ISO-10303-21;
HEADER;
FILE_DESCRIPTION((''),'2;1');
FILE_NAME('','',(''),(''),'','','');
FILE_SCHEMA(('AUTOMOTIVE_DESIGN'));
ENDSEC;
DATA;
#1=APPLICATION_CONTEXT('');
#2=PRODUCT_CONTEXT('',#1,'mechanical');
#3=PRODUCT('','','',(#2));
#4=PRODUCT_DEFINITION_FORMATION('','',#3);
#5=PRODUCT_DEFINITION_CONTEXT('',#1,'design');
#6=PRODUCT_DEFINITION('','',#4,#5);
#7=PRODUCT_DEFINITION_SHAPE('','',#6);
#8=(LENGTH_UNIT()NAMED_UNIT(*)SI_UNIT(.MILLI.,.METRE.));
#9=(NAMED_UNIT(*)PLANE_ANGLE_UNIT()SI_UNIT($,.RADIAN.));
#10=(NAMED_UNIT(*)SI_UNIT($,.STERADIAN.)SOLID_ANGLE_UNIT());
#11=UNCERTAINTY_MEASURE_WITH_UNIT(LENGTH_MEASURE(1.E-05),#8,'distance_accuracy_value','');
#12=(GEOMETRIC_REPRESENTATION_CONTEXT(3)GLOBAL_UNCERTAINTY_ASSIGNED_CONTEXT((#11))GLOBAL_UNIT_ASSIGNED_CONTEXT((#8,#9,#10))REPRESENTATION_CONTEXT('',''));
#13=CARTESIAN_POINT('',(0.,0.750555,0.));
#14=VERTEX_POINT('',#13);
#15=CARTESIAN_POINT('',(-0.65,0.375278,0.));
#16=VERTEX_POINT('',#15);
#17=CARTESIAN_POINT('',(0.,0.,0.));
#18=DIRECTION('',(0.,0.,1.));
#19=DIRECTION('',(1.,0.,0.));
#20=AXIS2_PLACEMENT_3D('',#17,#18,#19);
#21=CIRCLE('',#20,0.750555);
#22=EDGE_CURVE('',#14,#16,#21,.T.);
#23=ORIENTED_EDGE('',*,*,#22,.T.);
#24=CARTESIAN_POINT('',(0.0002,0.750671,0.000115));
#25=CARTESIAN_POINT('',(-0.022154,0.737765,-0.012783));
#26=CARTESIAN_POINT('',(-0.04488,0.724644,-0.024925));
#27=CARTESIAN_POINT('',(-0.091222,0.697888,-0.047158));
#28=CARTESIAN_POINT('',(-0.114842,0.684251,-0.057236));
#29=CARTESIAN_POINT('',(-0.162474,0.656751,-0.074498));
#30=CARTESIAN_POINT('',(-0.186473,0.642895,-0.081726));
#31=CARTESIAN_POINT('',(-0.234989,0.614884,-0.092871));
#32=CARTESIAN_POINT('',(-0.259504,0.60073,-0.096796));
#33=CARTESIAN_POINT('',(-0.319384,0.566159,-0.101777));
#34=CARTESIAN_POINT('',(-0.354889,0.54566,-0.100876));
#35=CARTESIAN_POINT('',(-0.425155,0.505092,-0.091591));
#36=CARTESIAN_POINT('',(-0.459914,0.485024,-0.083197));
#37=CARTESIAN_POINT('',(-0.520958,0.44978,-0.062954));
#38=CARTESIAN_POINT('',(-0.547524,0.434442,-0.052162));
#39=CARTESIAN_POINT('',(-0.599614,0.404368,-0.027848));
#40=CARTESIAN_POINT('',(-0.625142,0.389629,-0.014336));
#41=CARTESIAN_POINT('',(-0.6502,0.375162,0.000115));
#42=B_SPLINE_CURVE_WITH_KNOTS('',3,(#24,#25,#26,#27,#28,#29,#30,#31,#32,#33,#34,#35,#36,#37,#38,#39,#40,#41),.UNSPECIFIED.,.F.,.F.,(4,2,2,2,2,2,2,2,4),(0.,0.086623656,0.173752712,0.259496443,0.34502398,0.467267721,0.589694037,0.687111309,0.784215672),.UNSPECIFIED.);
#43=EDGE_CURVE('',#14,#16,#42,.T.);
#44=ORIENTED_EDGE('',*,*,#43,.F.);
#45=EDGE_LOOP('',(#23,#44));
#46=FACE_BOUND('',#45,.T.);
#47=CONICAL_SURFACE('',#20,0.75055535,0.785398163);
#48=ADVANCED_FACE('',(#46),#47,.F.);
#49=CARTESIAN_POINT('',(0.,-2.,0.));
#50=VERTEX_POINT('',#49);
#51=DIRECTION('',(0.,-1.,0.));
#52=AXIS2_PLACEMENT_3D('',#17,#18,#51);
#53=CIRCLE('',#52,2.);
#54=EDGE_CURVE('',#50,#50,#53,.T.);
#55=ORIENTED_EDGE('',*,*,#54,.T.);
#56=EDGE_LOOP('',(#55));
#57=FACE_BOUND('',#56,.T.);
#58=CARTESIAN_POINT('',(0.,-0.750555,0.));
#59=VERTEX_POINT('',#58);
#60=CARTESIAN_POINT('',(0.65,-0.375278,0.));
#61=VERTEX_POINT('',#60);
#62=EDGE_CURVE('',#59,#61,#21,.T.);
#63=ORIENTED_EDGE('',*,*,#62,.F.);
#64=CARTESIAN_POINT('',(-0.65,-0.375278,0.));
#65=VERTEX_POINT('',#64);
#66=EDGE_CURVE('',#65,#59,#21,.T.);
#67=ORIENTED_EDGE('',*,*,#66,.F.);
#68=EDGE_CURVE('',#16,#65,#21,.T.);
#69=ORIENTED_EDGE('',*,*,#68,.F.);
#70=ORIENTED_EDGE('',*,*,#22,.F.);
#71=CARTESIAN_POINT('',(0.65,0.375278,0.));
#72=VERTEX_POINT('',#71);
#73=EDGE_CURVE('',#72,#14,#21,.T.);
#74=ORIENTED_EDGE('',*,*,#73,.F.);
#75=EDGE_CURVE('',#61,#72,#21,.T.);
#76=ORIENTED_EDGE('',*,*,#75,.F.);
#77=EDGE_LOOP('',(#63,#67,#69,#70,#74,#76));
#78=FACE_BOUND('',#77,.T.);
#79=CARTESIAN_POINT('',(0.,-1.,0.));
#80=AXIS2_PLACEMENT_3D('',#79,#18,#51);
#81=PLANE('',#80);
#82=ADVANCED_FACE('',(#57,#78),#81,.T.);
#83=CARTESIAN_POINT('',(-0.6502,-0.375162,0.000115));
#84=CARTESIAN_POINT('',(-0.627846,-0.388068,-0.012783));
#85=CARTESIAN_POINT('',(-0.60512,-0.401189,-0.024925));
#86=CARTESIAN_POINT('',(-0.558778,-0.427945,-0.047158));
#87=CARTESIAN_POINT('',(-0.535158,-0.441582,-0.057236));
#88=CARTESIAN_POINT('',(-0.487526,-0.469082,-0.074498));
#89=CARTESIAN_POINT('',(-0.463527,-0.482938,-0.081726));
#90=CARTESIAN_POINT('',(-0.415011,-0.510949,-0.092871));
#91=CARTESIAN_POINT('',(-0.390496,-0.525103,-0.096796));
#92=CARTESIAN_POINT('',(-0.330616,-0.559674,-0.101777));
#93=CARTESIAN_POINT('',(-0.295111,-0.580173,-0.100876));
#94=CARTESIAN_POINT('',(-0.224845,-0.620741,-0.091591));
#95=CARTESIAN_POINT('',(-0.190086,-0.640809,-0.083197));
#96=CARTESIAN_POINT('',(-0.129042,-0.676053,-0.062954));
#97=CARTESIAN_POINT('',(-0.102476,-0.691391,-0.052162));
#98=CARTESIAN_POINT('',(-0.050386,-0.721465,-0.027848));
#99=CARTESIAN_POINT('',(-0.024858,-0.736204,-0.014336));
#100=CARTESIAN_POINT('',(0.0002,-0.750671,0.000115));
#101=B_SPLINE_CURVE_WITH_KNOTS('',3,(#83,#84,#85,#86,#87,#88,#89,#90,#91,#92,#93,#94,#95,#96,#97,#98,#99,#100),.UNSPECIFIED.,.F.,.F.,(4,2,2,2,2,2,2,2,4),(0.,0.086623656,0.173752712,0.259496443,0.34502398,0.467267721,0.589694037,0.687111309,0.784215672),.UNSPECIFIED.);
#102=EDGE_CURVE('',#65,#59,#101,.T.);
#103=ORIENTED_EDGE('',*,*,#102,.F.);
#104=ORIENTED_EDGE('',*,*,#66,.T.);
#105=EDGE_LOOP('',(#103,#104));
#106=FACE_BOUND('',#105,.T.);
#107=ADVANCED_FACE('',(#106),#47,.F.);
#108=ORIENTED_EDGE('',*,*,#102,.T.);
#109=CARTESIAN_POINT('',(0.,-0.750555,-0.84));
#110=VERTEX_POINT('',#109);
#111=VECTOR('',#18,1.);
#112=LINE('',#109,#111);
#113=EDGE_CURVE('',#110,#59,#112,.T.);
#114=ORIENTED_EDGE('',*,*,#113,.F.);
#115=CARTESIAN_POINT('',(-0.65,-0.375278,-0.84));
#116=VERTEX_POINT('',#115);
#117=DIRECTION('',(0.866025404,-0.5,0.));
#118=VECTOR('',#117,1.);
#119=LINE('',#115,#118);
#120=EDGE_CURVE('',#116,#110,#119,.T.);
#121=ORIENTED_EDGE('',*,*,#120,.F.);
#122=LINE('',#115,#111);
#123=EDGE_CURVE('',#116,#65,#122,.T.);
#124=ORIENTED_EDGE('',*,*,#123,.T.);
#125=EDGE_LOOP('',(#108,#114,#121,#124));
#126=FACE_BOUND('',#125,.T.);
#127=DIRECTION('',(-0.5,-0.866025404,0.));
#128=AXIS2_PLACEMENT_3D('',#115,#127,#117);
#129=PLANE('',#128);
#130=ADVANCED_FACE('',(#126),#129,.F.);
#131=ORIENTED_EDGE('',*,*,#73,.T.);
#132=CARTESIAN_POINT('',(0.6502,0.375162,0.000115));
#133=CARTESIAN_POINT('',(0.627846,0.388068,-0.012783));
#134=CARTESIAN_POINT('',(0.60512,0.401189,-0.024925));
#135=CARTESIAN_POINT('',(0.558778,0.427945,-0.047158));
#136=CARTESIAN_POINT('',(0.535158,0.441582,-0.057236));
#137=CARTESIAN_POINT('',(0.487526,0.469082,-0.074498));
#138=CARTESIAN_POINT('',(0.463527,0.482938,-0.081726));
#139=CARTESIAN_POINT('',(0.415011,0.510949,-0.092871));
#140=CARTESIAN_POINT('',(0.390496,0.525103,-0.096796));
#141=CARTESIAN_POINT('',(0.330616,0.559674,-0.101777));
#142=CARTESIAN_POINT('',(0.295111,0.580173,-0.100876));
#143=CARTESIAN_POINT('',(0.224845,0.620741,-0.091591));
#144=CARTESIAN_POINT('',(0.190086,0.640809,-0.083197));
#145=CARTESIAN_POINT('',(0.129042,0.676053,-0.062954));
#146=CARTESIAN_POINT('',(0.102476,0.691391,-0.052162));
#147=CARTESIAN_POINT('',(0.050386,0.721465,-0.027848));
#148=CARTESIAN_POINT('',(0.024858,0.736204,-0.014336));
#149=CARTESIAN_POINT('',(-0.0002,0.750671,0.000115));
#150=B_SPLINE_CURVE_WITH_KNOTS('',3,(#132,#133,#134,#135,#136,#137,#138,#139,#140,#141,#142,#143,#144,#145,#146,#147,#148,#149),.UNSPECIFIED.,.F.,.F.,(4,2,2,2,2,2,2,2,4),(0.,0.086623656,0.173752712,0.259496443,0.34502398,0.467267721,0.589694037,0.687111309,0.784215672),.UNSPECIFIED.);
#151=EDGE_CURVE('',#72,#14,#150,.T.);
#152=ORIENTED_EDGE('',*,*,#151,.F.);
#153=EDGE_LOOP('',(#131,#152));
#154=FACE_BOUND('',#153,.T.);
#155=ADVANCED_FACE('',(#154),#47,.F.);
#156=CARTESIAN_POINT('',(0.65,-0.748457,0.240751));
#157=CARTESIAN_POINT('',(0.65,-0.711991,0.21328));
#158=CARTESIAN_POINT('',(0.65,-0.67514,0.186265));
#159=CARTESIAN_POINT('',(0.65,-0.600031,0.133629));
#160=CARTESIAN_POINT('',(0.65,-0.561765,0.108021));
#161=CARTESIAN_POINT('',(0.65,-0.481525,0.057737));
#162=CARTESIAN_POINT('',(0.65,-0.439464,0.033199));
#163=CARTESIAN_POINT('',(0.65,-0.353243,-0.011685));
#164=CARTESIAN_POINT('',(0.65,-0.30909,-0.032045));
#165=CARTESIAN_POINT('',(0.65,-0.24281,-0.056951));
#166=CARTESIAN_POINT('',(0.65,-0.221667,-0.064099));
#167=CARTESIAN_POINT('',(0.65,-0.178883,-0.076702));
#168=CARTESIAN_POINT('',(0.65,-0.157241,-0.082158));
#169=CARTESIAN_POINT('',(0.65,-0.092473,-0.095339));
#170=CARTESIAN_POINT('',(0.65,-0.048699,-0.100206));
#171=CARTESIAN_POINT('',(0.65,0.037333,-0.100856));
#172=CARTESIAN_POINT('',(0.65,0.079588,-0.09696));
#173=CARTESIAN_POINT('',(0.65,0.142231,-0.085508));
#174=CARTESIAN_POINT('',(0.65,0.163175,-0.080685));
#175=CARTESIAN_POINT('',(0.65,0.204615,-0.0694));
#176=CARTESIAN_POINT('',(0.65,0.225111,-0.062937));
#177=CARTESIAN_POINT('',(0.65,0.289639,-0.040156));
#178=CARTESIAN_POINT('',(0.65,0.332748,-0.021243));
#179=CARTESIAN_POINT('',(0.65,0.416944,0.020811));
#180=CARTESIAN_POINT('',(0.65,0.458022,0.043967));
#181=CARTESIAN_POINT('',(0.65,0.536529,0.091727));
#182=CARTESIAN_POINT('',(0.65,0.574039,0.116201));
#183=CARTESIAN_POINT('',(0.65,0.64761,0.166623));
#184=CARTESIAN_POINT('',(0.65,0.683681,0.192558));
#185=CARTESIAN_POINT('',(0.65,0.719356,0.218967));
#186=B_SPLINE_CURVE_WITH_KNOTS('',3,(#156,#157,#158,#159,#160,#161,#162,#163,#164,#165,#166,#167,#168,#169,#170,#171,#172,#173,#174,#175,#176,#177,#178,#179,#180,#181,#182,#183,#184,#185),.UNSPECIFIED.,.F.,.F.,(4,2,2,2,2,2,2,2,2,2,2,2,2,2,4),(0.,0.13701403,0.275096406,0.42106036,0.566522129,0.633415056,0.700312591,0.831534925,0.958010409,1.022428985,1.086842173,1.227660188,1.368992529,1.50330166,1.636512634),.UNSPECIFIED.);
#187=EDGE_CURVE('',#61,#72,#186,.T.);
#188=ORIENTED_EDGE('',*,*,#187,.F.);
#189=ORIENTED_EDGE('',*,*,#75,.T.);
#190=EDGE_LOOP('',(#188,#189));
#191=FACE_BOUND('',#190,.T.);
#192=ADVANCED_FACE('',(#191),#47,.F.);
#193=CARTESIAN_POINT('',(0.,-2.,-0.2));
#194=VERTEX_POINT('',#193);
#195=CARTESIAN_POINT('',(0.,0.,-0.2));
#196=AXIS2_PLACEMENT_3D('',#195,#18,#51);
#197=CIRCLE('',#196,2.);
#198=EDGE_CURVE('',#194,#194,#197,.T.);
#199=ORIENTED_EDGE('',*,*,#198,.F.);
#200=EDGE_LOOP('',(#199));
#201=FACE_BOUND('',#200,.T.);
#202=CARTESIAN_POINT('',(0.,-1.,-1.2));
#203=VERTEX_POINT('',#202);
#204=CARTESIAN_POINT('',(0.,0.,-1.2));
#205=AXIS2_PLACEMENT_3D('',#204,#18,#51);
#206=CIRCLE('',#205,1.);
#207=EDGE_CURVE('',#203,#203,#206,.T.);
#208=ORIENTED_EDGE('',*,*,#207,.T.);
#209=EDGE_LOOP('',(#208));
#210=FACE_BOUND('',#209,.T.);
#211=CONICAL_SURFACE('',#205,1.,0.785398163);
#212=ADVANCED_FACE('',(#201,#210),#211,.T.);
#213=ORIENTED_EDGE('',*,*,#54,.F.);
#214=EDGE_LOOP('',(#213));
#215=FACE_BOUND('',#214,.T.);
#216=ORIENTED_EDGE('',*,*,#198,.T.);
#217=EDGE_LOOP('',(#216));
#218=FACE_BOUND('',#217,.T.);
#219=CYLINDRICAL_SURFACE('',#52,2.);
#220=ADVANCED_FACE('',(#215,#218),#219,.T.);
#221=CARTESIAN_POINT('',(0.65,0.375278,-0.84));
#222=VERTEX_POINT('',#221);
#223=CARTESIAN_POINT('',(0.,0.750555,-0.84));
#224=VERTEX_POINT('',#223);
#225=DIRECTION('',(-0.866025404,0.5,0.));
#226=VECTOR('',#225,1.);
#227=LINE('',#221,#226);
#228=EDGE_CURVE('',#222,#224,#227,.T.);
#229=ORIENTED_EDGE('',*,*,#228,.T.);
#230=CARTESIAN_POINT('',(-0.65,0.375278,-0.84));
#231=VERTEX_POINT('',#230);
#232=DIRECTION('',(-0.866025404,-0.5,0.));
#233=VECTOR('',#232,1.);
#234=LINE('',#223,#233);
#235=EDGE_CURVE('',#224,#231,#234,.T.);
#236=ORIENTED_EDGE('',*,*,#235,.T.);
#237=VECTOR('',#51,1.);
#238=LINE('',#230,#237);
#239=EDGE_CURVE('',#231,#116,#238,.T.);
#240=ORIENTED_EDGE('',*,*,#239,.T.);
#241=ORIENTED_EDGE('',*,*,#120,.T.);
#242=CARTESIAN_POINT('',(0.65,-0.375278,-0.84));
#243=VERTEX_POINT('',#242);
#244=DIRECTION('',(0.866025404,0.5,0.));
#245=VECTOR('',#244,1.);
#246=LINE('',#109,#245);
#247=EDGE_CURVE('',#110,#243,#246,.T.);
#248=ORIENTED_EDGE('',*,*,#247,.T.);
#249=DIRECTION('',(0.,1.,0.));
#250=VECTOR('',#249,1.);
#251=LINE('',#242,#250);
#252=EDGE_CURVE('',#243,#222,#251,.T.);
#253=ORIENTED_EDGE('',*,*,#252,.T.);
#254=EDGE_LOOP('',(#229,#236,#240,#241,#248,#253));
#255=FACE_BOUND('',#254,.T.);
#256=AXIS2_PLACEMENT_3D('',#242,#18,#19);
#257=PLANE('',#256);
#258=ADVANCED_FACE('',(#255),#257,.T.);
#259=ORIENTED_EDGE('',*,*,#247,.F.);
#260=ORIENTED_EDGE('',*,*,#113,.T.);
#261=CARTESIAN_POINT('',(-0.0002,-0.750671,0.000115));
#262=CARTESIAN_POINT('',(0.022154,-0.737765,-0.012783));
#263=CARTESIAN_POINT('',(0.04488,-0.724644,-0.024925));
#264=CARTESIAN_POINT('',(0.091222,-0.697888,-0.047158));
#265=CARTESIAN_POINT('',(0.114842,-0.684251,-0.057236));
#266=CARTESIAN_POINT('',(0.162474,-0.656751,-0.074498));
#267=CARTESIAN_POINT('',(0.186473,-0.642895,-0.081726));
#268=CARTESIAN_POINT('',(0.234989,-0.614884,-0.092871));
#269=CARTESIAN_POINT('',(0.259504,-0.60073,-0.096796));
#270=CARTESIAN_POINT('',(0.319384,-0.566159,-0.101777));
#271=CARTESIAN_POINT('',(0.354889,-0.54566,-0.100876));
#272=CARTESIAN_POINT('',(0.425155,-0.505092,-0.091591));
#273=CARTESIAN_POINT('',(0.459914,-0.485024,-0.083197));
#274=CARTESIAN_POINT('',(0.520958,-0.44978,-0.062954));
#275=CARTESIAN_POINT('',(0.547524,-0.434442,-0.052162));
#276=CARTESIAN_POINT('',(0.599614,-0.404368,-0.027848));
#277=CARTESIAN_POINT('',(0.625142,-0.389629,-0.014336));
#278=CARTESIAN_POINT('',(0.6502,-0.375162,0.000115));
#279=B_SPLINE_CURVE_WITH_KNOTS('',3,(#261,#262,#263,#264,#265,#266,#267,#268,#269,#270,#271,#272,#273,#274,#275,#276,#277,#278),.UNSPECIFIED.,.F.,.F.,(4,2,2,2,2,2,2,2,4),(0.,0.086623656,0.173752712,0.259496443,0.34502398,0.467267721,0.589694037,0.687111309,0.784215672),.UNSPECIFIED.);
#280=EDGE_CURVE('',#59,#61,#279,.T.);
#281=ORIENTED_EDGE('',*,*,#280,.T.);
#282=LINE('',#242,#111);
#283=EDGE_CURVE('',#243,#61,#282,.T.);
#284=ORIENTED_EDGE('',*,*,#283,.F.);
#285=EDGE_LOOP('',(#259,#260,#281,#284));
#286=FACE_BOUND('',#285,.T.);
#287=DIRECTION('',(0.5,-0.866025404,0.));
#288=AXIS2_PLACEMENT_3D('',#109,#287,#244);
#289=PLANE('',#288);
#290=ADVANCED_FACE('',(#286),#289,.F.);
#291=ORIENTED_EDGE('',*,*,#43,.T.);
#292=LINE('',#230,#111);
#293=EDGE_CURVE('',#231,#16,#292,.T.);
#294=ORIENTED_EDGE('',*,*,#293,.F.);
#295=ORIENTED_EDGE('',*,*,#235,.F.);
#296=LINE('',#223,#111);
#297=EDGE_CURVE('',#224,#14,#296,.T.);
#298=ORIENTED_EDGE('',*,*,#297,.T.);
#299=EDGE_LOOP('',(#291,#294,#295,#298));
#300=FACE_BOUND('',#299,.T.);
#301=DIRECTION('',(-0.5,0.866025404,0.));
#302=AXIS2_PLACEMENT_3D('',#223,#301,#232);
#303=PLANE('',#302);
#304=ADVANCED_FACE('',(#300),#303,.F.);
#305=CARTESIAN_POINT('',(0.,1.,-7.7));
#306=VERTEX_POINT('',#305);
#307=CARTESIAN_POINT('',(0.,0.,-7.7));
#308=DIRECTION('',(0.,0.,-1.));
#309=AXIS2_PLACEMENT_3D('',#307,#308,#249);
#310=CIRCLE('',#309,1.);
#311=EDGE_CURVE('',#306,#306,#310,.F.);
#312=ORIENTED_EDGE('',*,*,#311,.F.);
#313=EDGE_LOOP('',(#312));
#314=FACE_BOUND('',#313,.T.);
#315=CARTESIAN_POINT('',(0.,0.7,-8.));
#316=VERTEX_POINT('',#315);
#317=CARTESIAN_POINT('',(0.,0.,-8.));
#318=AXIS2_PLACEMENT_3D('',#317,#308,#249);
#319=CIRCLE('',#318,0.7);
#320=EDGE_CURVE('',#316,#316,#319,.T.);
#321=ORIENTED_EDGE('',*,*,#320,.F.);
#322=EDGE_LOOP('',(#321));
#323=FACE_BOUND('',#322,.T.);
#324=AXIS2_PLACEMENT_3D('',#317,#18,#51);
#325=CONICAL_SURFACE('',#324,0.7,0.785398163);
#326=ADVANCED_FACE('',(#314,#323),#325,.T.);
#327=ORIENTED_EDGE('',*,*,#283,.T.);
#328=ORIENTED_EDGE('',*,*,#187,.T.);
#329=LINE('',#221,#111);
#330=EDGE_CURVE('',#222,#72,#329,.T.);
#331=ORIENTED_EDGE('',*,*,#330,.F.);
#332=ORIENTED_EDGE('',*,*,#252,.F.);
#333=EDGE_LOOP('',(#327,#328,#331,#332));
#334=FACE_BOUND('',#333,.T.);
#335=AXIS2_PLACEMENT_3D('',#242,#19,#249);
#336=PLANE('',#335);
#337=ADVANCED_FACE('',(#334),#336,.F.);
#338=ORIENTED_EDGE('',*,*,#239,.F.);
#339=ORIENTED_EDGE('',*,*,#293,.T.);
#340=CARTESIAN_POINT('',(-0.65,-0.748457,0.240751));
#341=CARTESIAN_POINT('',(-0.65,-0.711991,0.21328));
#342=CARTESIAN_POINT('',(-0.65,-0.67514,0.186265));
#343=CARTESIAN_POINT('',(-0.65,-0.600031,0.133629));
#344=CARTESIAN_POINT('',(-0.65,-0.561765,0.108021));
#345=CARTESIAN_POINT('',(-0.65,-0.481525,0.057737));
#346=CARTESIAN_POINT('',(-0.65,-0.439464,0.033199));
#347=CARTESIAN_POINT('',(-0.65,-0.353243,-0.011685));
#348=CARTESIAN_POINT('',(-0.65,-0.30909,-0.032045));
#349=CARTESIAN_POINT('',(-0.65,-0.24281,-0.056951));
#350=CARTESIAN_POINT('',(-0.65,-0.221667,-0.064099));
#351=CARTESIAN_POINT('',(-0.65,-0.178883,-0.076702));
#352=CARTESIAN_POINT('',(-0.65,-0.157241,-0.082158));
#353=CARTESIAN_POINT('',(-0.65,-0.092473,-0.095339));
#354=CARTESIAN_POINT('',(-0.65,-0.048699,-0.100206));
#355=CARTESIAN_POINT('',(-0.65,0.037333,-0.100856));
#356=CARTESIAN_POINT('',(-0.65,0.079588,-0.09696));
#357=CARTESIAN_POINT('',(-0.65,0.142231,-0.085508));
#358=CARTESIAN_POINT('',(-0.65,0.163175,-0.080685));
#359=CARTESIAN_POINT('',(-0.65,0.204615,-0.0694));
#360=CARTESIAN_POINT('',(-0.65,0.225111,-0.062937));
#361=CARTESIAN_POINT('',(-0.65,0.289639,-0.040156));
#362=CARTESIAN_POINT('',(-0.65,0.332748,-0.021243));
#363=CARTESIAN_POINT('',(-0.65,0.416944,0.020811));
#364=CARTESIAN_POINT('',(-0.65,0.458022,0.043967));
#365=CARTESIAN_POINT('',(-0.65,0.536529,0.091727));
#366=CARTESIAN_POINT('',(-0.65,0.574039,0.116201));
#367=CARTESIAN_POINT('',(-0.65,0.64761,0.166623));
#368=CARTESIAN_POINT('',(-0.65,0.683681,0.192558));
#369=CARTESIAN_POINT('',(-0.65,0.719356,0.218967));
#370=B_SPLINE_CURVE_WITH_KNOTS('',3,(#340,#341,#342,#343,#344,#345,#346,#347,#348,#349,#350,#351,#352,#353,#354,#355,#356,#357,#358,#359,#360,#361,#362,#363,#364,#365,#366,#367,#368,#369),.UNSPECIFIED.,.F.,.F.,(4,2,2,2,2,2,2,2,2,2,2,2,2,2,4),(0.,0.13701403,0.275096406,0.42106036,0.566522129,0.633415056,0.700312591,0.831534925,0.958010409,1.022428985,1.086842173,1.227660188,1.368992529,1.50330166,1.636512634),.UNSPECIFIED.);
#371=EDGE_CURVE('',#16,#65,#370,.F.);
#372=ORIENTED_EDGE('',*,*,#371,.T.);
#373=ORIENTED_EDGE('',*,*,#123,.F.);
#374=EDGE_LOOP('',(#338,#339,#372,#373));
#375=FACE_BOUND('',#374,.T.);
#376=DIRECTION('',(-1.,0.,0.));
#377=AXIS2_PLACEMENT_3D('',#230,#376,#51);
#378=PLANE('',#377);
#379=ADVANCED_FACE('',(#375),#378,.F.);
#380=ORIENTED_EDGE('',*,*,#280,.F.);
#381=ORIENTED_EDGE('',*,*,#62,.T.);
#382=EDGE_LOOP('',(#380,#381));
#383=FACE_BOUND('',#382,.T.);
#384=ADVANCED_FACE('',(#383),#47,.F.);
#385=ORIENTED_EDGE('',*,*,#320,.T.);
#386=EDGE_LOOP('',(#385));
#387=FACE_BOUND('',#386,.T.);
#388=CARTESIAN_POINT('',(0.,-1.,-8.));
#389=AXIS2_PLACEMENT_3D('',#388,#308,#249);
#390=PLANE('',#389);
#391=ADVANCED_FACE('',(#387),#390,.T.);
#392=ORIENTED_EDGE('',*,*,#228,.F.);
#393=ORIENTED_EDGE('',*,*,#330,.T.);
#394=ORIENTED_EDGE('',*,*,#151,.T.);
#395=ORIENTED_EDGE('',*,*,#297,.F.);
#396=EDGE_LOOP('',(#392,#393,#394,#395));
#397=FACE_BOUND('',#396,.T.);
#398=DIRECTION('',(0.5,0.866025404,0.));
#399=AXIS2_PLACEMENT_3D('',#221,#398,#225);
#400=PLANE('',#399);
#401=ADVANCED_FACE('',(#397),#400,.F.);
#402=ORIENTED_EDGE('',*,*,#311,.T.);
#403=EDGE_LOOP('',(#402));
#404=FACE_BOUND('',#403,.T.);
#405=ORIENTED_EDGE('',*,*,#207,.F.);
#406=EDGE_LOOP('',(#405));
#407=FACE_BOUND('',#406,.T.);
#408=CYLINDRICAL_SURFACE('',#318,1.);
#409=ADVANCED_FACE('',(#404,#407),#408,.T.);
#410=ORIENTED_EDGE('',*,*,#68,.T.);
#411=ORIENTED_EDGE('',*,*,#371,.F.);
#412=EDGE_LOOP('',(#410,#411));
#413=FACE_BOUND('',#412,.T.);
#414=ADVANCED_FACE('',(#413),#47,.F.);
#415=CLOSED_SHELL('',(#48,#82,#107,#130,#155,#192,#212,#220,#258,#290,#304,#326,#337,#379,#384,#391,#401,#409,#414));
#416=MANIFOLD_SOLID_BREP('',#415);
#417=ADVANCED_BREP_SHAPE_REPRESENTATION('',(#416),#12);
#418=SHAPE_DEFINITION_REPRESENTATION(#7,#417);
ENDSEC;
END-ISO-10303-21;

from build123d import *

# Parameters (mm, degrees)
SKETCH1_W          = 8
SKETCH1_H          = 1
CHAMFER1_SIZE      = 0.3
CUT_EXTRUDE2_DEPTH = 0.84


with BuildPart() as part:
    # Sketch1 → Revolve1 (revolve)
    with BuildSketch(Plane(origin=(0, 0, 0), x_dir=(0, 0, -1), z_dir=(1, 0, 0))):
        with Locations((4, 0.5)):
            Rectangle(SKETCH1_W, SKETCH1_H)
    revolve(axis=Axis((0, 0, -8), (0, 0, 1)))

    # Chamfer1
    chamfer1_edges = [part.edges().sort_by_distance(p)[0] for p in [
        (0, -1, -8),
    ]]
    chamfer(chamfer1_edges, length=CHAMFER1_SIZE)

    # Sketch7 → Revolve2 (revolve)
    with BuildSketch(Plane(origin=(0, 0, 0), x_dir=(0, 0, -1), z_dir=(1, 0, 0)), mode=Mode.PRIVATE) as revolve2_sk:
        Polygon((0, 2), (0.2, 2), (1.2, 1), (1.2, 0), (0, 0), align=None)
    revolve(revolve2_sk.sketch.rotate(Axis((0, 0, 0), (0, 0, -1)), 180), axis=Axis((0, 0, 0), (0, 0, -1)))

    # Boss-Extrude1 cone 1 section (through the dimple's axis) → Boss-Extrude1 (revolve)
    with BuildSketch(Plane(origin=(0, 0, -1.2), x_dir=(0, -1, 0), z_dir=(1, 0, 0))):
        Polygon((0, 0), (1, 0), (0, 1), align=None)
    revolve(axis=Axis((0, 0, -1.2), (0, 0, -1)))

    # Sketch5 → Cut-Extrude2 (cut)
    with BuildSketch(Plane.XY):
        Polygon((0.65, -0.375277675), (0.65, 0.375277675), (0, 0.75055535), (-0.65, 0.375277675), (-0.65, -0.375277675), (0, -0.75055535), align=None)
    extrude(amount=-CUT_EXTRUDE2_DEPTH, mode=Mode.SUBTRACT)

    # Cut-Extrude3 cone 1 section (through the dimple's axis) → Cut-Extrude3 (revolve, cut)
    with BuildSketch(Plane(origin=(0, 0, 0), x_dir=(0, -1, 0), z_dir=(1, 0, 0))):
        Polygon((0, 0), (0.75055535, 0), (0, 0.75055535), align=None)
    revolve(axis=Axis((0, 0, 0), (0, 0, -1)), mode=Mode.SUBTRACT)


solid = part.part
